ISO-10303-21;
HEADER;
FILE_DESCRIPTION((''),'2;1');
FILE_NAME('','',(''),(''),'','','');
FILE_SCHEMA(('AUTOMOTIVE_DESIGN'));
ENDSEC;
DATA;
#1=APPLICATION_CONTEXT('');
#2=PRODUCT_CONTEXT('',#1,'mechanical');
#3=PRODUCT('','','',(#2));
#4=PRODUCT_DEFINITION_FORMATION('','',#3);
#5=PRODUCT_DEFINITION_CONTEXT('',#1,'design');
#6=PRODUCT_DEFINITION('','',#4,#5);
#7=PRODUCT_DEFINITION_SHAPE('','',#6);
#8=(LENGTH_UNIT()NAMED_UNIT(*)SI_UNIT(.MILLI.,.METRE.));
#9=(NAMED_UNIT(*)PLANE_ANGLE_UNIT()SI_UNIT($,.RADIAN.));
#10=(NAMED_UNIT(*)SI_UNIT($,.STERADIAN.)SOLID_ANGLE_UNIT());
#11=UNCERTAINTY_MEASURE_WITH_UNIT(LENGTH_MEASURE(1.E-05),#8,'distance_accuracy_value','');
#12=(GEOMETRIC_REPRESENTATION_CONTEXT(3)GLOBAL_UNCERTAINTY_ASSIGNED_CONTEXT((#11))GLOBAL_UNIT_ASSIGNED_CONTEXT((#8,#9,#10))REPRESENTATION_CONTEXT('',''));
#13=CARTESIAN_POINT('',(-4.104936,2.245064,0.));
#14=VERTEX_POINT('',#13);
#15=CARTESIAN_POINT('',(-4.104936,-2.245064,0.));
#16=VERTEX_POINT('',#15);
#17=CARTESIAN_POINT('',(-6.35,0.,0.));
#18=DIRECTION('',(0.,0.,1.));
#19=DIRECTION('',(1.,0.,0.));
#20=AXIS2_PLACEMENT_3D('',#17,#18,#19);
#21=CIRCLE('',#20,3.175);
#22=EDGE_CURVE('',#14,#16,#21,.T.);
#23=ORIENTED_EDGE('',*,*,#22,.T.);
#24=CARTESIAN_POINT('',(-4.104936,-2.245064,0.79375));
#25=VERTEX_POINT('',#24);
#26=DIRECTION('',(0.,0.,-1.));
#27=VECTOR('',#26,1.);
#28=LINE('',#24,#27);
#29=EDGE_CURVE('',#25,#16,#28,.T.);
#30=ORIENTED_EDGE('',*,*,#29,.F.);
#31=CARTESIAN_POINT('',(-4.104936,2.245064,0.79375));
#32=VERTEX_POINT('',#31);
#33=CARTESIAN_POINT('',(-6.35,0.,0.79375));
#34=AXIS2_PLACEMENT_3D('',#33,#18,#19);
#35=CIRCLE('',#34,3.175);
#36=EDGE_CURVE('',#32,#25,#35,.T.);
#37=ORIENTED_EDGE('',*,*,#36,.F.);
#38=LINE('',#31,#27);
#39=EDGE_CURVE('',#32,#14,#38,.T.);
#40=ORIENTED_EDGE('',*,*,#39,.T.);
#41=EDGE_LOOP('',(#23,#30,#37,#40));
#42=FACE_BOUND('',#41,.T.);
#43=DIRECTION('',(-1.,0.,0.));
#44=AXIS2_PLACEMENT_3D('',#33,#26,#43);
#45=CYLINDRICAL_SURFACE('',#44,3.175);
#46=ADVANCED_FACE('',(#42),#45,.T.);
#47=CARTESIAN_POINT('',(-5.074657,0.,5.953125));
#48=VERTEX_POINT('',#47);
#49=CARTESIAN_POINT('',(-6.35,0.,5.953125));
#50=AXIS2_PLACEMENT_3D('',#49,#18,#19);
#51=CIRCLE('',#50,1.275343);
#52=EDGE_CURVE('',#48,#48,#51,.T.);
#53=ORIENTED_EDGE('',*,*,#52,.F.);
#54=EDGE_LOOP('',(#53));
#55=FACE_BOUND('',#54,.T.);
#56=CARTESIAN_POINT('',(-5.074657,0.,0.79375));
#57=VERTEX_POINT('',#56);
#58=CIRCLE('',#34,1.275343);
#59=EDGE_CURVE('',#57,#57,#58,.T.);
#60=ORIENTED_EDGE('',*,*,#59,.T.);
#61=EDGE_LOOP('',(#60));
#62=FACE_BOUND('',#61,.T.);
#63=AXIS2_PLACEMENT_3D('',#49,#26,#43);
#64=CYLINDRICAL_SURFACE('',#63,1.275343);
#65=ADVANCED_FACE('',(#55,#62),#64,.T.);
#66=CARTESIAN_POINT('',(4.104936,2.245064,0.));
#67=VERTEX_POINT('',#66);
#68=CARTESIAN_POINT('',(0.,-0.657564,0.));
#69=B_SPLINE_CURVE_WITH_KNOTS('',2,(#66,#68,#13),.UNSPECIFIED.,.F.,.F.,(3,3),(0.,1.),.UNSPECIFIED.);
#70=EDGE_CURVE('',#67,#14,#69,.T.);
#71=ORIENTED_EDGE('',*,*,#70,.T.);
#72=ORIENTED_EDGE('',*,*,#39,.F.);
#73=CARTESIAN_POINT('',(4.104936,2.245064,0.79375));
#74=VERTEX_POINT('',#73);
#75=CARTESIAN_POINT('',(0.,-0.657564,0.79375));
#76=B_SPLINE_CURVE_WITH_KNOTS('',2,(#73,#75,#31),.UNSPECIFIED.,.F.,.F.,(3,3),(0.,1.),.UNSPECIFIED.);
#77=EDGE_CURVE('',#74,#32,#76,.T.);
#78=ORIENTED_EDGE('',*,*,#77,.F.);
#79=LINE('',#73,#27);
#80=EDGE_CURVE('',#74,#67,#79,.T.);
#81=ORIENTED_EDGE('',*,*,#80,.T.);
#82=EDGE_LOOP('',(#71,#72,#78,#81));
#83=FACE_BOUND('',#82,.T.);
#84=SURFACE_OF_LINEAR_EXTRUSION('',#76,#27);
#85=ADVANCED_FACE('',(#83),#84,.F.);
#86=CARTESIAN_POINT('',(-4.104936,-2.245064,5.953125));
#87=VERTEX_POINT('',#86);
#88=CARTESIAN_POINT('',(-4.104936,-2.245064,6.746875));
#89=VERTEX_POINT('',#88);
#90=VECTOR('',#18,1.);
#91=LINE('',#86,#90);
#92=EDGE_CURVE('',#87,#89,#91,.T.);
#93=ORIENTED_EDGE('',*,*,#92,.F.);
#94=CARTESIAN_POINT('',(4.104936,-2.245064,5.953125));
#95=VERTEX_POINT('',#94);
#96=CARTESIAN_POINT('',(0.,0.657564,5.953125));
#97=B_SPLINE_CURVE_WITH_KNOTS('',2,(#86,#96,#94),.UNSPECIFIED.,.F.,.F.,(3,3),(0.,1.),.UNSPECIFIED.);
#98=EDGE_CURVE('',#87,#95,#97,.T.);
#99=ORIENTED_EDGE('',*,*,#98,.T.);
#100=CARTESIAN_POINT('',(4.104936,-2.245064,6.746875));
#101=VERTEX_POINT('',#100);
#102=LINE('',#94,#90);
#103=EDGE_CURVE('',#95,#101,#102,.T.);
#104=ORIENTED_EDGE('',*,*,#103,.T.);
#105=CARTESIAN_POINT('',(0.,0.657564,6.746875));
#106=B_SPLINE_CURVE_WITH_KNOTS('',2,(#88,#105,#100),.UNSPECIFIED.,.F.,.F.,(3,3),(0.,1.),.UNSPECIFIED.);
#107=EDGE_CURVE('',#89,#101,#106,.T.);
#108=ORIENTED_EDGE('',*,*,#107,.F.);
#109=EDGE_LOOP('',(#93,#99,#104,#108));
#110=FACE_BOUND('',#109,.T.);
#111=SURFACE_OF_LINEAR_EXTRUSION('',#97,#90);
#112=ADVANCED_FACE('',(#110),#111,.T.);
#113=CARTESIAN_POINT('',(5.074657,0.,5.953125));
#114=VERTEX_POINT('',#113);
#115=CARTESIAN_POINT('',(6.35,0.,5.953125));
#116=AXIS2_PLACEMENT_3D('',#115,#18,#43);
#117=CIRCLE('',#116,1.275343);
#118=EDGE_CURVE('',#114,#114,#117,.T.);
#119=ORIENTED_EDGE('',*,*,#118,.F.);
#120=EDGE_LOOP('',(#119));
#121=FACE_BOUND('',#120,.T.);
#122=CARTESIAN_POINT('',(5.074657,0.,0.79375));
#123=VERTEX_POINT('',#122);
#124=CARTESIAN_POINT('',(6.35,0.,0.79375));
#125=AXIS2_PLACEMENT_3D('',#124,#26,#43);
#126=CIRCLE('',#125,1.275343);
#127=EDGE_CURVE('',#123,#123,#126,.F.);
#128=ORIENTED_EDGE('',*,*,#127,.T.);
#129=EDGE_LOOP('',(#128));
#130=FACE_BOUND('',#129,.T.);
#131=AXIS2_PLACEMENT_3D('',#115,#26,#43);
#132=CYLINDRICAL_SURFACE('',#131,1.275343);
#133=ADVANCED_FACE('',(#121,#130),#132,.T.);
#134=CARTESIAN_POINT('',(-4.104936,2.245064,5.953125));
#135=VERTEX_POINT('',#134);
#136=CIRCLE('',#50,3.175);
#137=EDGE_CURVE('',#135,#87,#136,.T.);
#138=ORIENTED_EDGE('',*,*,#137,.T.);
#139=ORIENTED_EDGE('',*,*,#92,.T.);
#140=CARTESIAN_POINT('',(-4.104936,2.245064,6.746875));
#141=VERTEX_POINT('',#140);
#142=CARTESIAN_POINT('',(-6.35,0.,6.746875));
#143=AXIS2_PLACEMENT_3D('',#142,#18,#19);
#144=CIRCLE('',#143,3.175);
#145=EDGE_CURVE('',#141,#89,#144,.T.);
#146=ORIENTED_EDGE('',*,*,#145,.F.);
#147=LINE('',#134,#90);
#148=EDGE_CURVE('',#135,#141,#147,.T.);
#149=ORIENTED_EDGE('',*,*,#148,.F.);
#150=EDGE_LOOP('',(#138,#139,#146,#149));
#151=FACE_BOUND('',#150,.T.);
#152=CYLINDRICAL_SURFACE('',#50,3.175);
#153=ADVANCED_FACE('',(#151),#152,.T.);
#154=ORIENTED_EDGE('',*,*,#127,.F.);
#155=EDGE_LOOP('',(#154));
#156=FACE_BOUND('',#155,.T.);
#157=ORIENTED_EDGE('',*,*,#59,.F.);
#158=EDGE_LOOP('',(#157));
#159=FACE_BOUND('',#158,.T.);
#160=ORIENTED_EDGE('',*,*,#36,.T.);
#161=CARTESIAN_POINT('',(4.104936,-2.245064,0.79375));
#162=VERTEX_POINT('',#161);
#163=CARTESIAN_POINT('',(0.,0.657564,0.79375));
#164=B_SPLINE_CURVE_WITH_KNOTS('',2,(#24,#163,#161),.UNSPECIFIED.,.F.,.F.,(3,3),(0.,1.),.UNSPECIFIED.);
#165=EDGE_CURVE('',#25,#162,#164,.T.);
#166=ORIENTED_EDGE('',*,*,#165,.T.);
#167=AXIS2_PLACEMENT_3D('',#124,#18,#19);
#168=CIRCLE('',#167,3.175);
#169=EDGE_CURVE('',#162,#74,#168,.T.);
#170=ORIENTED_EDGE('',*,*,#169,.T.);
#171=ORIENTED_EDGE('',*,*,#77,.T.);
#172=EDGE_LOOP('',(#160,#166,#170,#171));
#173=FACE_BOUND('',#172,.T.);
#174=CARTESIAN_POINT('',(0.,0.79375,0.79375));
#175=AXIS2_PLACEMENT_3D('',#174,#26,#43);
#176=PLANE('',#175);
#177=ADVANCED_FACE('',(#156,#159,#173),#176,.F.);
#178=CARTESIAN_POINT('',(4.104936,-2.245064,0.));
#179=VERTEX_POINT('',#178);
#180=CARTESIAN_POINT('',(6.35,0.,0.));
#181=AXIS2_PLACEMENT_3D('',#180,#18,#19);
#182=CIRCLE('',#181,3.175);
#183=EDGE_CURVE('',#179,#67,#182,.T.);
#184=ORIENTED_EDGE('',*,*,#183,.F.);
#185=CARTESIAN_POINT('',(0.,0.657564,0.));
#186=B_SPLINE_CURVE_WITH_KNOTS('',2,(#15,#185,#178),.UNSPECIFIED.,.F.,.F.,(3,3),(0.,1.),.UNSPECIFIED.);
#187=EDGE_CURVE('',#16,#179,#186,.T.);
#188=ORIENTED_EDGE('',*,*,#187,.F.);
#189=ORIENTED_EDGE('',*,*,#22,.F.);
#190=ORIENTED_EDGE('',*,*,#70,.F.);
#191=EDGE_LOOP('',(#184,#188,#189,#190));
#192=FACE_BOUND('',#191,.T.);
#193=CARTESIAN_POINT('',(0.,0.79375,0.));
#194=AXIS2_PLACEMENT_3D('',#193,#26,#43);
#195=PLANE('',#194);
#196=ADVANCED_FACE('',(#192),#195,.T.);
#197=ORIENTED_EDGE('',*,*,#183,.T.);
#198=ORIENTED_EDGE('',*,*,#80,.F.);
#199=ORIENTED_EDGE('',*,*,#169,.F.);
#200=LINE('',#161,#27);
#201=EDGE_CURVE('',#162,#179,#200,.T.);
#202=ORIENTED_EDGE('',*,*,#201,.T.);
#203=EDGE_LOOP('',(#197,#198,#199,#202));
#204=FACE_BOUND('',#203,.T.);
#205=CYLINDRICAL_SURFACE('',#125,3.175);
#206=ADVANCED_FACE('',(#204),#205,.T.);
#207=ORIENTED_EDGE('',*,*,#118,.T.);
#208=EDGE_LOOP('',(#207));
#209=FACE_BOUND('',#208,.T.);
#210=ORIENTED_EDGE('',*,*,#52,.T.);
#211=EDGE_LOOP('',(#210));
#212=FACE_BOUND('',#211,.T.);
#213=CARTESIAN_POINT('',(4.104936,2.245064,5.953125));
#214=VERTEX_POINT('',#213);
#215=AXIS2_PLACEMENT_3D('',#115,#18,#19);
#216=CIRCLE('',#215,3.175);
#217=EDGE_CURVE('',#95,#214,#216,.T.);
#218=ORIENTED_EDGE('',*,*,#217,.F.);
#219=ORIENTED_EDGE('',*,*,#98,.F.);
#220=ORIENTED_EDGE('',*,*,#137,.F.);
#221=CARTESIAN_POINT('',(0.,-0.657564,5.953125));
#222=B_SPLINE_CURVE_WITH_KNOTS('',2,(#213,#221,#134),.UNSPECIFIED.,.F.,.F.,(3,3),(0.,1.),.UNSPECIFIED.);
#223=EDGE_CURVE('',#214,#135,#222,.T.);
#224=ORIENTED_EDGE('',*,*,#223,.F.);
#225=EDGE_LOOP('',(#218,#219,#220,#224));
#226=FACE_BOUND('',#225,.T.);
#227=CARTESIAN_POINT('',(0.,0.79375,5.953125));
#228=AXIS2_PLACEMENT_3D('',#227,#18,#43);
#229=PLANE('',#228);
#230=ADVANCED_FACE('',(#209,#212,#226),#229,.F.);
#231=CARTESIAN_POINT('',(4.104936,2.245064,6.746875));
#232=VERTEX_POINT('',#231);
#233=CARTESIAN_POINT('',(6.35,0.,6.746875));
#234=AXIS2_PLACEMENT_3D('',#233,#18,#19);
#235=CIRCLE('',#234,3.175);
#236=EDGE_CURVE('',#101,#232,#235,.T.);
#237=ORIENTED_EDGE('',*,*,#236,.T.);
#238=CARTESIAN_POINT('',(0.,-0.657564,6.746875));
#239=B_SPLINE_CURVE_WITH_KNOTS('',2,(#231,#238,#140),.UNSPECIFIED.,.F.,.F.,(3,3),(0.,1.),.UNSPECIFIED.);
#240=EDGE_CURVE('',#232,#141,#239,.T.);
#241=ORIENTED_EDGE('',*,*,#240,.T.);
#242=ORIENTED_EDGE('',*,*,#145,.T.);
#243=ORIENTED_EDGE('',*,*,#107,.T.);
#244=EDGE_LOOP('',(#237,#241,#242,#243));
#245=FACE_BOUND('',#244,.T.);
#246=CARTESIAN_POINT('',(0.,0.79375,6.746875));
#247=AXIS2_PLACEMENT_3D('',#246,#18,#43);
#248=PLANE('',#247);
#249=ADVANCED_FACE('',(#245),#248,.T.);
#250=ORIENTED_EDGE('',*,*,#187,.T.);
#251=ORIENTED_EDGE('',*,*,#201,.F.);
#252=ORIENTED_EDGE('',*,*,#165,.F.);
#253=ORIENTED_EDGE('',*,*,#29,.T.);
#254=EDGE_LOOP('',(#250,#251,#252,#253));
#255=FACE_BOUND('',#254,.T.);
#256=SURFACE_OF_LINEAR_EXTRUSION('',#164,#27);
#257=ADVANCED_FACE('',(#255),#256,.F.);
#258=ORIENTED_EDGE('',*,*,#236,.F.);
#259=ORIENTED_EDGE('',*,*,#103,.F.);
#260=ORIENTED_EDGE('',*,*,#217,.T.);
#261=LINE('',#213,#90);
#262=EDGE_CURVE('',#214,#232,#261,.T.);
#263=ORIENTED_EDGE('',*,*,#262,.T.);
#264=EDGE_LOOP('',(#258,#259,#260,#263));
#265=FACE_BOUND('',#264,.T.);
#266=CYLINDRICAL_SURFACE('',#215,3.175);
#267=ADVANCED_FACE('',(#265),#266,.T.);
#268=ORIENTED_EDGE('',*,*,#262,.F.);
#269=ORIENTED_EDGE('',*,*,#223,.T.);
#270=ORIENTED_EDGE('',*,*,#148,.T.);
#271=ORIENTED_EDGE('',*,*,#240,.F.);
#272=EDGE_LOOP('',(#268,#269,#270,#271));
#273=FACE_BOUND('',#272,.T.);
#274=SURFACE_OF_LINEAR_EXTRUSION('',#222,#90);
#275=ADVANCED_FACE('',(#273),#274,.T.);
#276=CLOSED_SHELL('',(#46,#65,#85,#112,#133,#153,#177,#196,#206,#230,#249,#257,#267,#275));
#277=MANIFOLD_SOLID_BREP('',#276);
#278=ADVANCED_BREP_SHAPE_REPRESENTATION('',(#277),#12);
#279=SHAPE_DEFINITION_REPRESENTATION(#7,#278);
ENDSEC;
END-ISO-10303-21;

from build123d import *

# Parameters (mm, degrees)
BOSS_EXTRUDE1_DEPTH = 0.79375
SKETCH2_R           = 1.275343429
BOSS_EXTRUDE2_DEPTH = 5.159375


with BuildPart() as part:
    # Sketch1 → Boss-Extrude1 (new body)
    with BuildSketch(Plane.XY):
        with BuildLine():
            ThreePointArc((-4.10493597, 2.24506403), (-9.525, 0), (-4.10493597, -2.24506403))
            add(Edge.make_bspline(
                [(-4.10493597, -2.24506403), (0, 0.65756403), (4.10493597, -2.24506403)],
                knots=[0, 0, 0, 1, 1, 1], degree=2))
            ThreePointArc((4.10493597, -2.24506403), (9.525, 0), (4.10493597, 2.24506403))
            add(Edge.make_bspline(
                [(-4.10493597, 2.24506403), (0, -0.65756403), (4.10493597, 2.24506403)],
                knots=[0, 0, 0, 1, 1, 1], degree=2))
        make_face()
    boss_extrude1 = extrude(amount=BOSS_EXTRUDE1_DEPTH)

    # Sketch2 → Boss-Extrude2 (add)
    with BuildSketch(Plane.XY.offset(0.79375)):
        with Locations((-6.35, 0)):
            Circle(SKETCH2_R)
        with Locations(Location((6.35, 0, 0), (0, 0, 180))):
            Circle(SKETCH2_R)
    extrude(amount=BOSS_EXTRUDE2_DEPTH)

    # Mirror1: Boss-Extrude1 across plane
    add(boss_extrude1.mirror(Plane.XY.offset(3.3734375)))


solid = part.part
